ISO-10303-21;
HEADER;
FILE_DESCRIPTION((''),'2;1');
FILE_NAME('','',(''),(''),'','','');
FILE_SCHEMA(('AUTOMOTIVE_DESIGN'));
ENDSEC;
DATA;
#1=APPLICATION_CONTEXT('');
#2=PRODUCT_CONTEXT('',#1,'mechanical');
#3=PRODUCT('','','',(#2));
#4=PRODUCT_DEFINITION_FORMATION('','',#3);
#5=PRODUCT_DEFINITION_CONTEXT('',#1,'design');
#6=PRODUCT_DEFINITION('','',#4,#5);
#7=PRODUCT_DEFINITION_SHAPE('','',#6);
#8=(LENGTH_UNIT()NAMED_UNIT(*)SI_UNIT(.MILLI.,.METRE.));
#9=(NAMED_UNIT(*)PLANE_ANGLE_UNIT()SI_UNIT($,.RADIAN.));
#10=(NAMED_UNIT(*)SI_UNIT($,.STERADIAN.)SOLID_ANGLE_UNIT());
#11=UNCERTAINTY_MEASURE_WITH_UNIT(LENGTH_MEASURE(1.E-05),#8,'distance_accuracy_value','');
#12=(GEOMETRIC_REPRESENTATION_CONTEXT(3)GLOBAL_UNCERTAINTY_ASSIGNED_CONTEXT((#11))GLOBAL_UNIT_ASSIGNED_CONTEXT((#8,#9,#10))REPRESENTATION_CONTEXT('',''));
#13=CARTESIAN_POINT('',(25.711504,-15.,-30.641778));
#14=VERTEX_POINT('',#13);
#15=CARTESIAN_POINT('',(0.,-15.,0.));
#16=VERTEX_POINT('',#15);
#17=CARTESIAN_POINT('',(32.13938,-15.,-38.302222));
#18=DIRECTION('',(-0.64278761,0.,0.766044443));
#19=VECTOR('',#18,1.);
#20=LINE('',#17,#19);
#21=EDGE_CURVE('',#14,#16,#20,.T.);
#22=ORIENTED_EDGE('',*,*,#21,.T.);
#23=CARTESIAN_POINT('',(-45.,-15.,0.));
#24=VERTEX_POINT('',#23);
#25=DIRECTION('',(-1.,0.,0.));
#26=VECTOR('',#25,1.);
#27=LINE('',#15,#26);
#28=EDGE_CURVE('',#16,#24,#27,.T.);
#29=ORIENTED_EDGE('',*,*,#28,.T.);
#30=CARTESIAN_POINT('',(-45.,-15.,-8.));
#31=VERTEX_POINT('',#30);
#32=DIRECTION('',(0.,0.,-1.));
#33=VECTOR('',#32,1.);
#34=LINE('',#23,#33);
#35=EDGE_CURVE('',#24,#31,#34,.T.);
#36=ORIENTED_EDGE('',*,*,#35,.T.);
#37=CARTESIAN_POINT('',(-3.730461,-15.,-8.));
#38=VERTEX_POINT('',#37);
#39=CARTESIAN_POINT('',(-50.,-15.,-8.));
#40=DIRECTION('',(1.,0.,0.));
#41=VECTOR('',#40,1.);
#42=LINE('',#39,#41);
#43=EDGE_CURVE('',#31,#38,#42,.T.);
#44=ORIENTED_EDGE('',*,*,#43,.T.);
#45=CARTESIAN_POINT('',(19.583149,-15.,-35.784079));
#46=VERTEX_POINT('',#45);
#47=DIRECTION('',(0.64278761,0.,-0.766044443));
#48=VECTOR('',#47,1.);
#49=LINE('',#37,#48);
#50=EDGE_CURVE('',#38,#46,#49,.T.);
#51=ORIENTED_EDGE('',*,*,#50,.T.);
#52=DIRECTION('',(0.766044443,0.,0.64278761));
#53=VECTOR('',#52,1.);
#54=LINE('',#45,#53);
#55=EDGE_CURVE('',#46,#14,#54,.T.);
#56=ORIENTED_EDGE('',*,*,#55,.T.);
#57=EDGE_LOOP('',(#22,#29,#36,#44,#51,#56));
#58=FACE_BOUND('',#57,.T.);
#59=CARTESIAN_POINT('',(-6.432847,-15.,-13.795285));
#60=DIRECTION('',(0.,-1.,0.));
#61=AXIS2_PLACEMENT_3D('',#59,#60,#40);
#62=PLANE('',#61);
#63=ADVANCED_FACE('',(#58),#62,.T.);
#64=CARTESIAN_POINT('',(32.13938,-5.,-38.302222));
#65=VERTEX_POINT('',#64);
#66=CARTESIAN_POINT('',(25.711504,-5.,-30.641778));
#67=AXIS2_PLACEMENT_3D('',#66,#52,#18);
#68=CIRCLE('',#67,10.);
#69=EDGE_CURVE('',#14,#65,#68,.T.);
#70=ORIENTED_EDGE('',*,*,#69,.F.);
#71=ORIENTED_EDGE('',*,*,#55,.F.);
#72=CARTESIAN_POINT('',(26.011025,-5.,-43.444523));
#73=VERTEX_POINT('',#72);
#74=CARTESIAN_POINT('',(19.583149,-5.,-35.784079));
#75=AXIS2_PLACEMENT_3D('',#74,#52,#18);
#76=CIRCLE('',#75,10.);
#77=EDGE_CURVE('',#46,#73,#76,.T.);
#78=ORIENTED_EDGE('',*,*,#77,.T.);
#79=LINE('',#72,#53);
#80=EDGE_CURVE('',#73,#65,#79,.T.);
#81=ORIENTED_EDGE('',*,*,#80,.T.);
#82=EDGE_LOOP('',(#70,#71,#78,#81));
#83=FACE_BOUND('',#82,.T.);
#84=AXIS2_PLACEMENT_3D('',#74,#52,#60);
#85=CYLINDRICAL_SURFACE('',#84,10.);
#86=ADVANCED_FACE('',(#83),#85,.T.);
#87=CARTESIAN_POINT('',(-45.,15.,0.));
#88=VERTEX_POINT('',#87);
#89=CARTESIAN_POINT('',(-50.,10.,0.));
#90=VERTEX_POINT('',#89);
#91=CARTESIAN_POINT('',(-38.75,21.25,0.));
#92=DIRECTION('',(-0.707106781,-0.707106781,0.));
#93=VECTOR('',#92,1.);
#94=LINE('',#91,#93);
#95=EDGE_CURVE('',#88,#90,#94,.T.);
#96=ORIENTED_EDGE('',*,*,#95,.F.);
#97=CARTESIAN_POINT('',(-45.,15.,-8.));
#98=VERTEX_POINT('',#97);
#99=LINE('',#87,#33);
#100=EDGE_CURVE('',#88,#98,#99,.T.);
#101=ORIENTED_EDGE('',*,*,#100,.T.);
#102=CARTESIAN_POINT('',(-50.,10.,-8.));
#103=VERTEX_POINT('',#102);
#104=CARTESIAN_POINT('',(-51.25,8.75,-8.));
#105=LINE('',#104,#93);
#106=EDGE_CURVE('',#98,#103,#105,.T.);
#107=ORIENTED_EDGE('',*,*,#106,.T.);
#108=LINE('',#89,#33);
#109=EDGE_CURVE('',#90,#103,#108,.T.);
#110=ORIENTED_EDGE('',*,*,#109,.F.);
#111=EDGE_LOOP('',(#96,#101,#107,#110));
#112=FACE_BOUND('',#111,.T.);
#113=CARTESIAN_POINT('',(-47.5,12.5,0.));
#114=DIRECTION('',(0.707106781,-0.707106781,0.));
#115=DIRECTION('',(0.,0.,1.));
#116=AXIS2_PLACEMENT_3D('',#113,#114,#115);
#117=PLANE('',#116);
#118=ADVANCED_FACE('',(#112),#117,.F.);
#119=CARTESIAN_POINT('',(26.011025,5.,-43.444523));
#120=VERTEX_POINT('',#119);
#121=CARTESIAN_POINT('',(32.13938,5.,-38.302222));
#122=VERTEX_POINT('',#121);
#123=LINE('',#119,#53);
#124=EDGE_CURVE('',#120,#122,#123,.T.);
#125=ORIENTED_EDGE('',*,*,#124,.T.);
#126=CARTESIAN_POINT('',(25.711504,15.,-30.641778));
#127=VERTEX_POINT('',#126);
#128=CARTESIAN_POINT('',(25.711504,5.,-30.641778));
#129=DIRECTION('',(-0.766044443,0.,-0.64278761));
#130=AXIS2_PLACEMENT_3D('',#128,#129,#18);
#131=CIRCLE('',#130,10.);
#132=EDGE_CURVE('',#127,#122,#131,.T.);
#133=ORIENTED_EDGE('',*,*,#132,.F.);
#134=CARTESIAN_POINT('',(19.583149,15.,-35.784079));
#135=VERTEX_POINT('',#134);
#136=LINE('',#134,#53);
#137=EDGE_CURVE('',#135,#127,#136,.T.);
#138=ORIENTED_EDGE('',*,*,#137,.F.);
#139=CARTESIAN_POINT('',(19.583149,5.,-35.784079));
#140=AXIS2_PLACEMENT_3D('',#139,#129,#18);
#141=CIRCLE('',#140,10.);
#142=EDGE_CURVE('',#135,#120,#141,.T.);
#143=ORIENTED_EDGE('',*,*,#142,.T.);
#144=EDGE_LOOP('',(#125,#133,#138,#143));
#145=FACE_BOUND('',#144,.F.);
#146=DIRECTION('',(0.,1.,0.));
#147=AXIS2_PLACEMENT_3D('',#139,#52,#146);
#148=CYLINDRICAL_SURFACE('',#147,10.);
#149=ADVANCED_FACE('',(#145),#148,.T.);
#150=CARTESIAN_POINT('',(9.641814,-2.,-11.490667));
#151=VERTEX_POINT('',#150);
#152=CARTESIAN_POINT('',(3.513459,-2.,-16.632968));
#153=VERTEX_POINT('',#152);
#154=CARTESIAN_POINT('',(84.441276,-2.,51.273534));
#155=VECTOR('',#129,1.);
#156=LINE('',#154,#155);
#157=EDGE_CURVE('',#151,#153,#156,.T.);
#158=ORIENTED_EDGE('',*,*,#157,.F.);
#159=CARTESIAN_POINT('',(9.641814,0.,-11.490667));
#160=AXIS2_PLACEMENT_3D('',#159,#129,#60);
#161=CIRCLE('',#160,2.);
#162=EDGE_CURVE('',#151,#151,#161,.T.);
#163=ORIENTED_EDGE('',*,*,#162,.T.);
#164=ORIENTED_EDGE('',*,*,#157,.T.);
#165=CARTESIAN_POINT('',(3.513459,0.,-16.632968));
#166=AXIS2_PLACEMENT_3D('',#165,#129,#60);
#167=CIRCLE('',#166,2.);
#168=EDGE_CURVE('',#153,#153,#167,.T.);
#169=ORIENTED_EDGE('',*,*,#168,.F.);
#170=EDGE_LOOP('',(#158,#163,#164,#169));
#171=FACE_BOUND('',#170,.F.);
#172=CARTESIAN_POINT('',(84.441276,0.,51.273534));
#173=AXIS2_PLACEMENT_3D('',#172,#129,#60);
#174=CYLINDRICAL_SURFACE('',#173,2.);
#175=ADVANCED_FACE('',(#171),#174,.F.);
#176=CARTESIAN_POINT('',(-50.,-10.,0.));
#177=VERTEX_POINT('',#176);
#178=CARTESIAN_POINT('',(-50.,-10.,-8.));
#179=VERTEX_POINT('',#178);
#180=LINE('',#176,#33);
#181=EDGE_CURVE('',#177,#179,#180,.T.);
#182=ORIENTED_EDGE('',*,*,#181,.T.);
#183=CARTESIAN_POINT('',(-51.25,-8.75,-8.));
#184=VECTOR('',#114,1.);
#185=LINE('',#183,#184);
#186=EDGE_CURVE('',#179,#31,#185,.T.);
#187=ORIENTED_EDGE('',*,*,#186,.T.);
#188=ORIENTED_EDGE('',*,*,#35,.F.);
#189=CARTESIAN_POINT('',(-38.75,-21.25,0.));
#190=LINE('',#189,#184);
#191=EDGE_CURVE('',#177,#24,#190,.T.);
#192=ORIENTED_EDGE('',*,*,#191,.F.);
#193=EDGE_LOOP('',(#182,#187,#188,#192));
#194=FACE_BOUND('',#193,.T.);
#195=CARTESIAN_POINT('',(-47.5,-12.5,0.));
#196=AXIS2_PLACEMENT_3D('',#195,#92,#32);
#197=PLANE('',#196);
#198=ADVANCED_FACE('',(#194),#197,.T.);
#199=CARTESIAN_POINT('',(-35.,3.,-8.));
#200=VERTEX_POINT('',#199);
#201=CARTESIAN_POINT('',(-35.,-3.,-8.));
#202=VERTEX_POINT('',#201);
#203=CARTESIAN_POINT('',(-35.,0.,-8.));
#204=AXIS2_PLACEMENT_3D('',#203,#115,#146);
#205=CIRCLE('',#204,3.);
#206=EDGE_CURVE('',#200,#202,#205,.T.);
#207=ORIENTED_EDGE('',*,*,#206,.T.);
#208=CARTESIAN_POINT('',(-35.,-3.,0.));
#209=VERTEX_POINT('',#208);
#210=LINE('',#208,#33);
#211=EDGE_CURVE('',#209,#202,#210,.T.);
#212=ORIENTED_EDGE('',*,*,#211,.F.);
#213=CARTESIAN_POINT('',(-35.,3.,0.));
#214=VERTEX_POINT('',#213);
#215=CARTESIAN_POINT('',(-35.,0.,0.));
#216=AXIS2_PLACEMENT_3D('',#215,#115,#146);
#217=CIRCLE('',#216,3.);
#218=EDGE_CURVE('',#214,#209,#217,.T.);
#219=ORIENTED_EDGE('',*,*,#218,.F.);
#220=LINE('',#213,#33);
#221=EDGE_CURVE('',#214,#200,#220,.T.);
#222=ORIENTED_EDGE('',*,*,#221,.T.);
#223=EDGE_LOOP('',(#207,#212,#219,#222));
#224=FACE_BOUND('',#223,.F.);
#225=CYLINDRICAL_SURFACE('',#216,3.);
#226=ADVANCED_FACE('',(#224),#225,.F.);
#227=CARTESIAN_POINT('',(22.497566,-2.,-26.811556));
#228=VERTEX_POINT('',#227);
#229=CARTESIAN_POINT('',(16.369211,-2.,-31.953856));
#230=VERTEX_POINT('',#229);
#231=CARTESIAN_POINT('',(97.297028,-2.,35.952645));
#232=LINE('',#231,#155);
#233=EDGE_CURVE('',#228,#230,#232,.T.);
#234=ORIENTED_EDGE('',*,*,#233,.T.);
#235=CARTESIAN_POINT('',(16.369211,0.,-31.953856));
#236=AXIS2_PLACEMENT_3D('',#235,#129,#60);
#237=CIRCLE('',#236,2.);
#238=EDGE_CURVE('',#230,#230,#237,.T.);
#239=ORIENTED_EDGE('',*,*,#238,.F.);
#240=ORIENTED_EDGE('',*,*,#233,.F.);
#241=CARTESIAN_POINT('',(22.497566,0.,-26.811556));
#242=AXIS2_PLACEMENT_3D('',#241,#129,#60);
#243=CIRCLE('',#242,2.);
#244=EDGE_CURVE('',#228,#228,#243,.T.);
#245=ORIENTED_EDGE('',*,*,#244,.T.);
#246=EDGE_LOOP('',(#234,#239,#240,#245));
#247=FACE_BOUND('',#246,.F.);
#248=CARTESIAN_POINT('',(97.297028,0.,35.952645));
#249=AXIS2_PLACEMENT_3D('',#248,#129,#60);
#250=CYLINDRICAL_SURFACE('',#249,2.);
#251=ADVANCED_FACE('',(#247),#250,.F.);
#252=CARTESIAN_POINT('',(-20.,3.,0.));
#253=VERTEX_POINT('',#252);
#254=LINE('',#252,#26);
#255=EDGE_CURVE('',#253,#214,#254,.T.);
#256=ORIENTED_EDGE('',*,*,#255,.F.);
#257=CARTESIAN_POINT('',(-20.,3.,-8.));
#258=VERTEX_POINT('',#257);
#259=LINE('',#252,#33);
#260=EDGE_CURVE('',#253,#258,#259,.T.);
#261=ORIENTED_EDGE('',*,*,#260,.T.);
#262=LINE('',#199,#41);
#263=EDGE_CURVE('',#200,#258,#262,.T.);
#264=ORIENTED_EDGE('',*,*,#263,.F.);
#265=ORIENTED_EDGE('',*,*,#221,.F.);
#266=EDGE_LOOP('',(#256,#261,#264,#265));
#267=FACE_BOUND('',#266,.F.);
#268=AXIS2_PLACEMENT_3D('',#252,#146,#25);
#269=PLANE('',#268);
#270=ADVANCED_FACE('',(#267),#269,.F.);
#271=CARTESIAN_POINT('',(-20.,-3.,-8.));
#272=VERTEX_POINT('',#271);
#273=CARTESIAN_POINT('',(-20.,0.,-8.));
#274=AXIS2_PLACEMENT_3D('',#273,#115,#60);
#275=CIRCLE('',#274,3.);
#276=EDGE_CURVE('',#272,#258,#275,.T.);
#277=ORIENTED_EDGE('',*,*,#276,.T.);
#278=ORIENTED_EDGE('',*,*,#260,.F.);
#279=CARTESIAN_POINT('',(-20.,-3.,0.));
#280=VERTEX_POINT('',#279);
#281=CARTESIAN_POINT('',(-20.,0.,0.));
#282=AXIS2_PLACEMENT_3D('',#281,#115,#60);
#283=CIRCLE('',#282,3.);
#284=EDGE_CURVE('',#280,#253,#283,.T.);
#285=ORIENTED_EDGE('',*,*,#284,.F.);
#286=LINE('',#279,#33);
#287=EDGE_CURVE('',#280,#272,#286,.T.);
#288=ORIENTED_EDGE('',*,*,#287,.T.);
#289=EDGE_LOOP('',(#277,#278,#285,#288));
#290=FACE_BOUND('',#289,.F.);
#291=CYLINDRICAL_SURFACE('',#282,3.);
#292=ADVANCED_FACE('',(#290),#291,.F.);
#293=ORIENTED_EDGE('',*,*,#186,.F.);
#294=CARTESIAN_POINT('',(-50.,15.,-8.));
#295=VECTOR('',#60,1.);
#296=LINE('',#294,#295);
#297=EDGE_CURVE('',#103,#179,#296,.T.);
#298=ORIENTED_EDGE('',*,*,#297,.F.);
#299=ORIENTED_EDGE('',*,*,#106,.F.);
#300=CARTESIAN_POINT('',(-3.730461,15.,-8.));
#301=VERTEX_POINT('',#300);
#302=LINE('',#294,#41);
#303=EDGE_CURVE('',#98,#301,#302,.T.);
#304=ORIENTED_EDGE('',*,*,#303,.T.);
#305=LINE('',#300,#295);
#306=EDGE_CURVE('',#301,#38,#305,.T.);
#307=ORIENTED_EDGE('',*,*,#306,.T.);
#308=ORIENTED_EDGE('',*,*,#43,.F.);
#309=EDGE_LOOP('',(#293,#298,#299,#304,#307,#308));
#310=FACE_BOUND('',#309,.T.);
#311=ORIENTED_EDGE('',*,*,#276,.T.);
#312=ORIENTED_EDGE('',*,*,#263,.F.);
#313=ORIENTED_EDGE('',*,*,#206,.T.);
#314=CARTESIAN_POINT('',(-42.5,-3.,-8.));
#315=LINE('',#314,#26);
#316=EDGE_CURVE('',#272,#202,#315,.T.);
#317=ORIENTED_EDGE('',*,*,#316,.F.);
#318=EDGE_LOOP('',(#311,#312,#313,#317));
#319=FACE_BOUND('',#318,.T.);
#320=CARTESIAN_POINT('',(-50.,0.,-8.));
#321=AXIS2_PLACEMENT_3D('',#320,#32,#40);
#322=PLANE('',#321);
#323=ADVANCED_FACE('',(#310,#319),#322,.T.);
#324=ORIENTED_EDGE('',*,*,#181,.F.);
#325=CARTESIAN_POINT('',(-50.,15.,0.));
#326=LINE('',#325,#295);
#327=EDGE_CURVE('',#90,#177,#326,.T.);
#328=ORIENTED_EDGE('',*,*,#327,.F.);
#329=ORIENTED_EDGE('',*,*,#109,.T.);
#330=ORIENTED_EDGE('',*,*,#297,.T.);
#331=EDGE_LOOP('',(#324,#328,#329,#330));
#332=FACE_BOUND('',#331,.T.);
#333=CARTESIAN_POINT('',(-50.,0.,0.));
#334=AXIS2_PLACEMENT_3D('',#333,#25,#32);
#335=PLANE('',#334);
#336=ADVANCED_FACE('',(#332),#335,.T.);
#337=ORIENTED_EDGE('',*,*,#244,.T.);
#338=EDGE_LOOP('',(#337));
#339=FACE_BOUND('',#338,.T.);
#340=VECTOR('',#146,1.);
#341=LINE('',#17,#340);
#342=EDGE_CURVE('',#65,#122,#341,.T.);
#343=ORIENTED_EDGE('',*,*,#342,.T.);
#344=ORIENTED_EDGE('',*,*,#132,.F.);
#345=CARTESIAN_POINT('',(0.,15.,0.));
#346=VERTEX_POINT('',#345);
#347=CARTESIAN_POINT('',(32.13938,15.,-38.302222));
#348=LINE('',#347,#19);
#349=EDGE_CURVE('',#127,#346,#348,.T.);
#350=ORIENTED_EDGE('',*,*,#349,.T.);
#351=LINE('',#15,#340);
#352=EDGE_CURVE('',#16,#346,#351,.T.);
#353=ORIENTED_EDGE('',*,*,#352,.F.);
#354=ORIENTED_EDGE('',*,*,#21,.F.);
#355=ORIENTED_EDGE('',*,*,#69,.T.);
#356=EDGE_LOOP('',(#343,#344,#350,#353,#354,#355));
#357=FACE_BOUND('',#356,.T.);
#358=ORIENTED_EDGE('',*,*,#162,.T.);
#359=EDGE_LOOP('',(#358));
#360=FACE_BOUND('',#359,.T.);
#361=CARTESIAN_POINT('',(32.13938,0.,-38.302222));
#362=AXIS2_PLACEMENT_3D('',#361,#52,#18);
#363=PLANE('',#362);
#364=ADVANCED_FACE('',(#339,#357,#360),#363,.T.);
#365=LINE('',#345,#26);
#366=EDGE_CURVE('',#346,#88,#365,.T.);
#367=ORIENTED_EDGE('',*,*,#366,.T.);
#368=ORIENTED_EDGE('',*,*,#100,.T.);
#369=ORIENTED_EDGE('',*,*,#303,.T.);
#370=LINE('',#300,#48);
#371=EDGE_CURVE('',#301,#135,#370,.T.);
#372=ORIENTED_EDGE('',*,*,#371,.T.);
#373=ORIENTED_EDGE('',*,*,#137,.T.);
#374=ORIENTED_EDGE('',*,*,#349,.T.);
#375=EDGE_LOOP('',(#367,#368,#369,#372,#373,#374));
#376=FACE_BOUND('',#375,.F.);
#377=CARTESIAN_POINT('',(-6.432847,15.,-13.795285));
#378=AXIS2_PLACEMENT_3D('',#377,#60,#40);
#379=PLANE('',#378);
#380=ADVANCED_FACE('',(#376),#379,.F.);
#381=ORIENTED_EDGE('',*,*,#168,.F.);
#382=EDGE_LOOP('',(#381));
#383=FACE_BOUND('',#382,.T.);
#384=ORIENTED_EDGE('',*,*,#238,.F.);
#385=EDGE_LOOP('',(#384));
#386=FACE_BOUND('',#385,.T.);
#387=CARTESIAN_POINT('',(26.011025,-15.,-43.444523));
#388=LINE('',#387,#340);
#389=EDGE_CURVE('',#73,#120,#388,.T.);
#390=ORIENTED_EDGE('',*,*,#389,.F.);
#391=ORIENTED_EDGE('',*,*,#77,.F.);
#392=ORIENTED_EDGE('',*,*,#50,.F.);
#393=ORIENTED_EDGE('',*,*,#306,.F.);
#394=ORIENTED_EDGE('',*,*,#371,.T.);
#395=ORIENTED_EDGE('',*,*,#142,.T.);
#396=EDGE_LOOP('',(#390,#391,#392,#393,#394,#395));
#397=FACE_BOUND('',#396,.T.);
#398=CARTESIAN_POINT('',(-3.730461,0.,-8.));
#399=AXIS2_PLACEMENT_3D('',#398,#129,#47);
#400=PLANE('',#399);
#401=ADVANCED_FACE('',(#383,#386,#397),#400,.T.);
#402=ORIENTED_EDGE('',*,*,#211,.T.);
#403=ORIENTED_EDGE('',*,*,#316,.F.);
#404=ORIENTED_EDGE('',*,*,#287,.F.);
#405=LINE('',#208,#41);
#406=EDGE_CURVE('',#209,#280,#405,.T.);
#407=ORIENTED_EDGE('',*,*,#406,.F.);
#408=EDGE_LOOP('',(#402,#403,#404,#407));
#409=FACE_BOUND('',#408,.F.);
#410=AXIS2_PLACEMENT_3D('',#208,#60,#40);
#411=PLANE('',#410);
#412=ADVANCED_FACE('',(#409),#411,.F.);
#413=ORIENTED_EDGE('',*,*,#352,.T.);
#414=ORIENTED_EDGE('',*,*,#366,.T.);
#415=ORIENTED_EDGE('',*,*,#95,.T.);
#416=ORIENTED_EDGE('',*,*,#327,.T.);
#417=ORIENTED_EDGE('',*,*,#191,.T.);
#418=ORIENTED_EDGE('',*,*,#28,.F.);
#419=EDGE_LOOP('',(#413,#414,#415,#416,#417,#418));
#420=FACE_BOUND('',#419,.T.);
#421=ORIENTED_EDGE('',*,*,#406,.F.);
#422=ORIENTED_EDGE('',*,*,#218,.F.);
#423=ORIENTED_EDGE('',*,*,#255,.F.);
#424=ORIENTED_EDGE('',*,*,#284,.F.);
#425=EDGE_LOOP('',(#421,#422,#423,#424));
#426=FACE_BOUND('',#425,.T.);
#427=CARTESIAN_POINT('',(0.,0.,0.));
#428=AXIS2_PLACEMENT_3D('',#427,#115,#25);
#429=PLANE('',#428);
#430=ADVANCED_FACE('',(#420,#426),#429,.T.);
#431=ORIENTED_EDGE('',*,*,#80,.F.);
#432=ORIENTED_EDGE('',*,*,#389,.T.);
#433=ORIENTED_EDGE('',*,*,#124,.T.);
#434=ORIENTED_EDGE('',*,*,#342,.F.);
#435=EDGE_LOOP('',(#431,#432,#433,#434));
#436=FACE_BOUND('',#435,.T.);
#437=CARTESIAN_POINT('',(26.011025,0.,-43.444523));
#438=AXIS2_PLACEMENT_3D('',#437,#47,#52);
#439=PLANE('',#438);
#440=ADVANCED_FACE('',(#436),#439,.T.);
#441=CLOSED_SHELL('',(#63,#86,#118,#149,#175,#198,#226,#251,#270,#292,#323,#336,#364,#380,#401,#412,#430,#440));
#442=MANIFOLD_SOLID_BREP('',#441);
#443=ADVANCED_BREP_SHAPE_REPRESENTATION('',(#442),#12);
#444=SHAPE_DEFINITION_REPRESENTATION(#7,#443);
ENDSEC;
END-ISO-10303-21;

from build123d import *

# Parameters (mm, degrees)
F1_DEPTH = 15
F3_DEPTH = 43.4455230334
F5_D     = 4
F6_R     = 10
F7_SIZE  = 5


with BuildPart() as f1:
    # F0 (on Front) → F1 (new body, symmetric)
    with BuildSketch(Plane.XZ):
        Polygon((0, 0), (-50, 0), (-50, -8), (-3.7304612652, -8), (26.0110249394, -43.4445230334), (32.1393804843, -38.3022221559), align=None)
    extrude(amount=F1_DEPTH, both=True)

    # F2 (on face) → F3 (cut, through all)
    with BuildSketch(Plane.XY):
        with BuildLine():
            ThreePointArc((-35, 3), (-38, 0), (-35, -3))
            Line((-35, -3), (-20, -3))
            ThreePointArc((-20, -3), (-17, 0), (-20, 3))
            Line((-20, 3), (-35, 3))
        make_face()
    extrude(amount=-F3_DEPTH, mode=Mode.SUBTRACT)

    # F5 (through all)
    with Locations(Plane(origin=(0, 0, 0), x_dir=(0, 1, 0), z_dir=(0.7660444431, 0, 0.6427876097))):
        with Locations((0, -15), (0, -35)):
            Hole(F5_D / 2)

    # F6
    f6_edges = [f1.edges().sort_by_distance(p)[0] for p in [
        (29.075203, 15, -40.873373),
        (29.075203, -15, -40.873373),
    ]]
    fillet(f6_edges, radius=F6_R)

    # F7
    f7_edges = [f1.edges().sort_by_distance(p)[0] for p in [
        (-50, -15, -4),
        (-50, 15, -4),
    ]]
    chamfer(f7_edges, length=F7_SIZE)


solid = f1.part
